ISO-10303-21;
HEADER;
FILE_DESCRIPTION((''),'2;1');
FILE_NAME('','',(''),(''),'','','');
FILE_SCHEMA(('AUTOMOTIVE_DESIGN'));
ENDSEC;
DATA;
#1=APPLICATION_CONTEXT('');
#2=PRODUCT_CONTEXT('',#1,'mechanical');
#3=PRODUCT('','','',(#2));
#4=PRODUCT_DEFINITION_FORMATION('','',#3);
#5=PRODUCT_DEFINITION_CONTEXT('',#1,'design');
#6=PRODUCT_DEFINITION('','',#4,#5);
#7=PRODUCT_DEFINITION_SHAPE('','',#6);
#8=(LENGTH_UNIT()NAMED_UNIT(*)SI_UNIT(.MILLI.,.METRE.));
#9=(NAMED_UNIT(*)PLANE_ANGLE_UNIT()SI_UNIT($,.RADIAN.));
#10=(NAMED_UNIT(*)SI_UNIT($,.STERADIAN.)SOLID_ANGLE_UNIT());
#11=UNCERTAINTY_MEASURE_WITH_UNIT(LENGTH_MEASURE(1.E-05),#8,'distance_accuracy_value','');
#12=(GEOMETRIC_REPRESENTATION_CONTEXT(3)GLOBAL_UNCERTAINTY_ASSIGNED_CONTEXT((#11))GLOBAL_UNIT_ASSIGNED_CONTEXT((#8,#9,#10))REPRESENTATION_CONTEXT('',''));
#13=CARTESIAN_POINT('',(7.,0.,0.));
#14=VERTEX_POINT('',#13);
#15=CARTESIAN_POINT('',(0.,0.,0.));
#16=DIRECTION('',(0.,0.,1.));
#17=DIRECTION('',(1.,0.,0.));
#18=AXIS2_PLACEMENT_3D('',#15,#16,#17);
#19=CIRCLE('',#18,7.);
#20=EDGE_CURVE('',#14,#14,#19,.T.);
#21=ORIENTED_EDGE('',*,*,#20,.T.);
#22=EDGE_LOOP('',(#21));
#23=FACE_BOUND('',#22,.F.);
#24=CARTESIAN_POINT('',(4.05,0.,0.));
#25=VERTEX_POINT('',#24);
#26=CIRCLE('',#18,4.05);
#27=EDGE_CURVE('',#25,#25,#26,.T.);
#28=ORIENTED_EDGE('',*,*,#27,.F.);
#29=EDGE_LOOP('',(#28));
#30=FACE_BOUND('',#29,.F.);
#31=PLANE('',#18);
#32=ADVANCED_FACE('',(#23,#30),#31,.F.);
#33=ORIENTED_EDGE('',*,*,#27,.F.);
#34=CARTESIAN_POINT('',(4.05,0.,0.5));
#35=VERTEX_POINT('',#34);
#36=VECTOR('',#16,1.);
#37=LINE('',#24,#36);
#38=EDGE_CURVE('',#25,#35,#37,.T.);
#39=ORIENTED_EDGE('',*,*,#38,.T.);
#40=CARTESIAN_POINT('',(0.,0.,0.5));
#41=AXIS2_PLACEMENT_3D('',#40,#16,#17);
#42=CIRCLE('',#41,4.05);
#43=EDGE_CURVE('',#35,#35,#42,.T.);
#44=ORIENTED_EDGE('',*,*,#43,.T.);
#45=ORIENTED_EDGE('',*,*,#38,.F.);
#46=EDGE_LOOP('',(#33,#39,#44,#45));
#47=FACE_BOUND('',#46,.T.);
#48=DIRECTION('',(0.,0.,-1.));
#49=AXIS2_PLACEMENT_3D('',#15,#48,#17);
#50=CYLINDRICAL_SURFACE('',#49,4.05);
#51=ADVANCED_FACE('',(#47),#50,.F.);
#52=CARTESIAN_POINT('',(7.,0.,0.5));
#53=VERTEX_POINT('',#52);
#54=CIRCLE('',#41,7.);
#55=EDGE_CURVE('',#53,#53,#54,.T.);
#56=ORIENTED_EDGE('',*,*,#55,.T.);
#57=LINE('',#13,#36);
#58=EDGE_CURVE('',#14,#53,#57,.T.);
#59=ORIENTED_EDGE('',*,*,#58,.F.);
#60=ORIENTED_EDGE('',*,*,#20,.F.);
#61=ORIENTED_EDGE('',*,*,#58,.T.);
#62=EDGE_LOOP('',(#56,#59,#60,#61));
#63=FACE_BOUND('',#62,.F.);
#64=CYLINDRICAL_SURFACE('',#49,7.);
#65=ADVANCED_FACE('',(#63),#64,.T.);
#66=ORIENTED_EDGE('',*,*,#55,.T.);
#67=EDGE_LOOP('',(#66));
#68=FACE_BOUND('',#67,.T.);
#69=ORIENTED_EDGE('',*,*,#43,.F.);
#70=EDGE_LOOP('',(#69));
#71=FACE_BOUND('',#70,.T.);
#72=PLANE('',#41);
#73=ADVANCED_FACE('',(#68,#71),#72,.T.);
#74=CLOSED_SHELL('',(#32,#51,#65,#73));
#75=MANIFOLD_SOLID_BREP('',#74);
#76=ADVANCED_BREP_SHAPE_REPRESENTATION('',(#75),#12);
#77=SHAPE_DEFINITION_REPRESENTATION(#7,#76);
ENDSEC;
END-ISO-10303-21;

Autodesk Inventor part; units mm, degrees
ref_plane "YZ Plane" through (0, 0, 0) normal (1, 0, 0) x (0, 1, 0)
ref_plane "XZ Plane" through (0, 0, 0) normal (0, 1, 0) x (-1, 0, 0)
ref_plane "XY Plane" through (0, 0, 0) normal (0, 0, 1) x (1, 0, 0)
sketch "スケッチ1" plane through (0, 0, 0) normal (0, 0, 1) x (1, 0, 0)
  circle A0 centre (0, 0) radius 4.05
  circle A1 centre (0, 0) radius 7
  dimension "d0" = 8.1
  dimension "d1" = 14
extrude "押し出し1" add sketch "スケッチ1" along normal blind 0.5
properties part number "unit-spapcer1" material "ABS プラスチック"
